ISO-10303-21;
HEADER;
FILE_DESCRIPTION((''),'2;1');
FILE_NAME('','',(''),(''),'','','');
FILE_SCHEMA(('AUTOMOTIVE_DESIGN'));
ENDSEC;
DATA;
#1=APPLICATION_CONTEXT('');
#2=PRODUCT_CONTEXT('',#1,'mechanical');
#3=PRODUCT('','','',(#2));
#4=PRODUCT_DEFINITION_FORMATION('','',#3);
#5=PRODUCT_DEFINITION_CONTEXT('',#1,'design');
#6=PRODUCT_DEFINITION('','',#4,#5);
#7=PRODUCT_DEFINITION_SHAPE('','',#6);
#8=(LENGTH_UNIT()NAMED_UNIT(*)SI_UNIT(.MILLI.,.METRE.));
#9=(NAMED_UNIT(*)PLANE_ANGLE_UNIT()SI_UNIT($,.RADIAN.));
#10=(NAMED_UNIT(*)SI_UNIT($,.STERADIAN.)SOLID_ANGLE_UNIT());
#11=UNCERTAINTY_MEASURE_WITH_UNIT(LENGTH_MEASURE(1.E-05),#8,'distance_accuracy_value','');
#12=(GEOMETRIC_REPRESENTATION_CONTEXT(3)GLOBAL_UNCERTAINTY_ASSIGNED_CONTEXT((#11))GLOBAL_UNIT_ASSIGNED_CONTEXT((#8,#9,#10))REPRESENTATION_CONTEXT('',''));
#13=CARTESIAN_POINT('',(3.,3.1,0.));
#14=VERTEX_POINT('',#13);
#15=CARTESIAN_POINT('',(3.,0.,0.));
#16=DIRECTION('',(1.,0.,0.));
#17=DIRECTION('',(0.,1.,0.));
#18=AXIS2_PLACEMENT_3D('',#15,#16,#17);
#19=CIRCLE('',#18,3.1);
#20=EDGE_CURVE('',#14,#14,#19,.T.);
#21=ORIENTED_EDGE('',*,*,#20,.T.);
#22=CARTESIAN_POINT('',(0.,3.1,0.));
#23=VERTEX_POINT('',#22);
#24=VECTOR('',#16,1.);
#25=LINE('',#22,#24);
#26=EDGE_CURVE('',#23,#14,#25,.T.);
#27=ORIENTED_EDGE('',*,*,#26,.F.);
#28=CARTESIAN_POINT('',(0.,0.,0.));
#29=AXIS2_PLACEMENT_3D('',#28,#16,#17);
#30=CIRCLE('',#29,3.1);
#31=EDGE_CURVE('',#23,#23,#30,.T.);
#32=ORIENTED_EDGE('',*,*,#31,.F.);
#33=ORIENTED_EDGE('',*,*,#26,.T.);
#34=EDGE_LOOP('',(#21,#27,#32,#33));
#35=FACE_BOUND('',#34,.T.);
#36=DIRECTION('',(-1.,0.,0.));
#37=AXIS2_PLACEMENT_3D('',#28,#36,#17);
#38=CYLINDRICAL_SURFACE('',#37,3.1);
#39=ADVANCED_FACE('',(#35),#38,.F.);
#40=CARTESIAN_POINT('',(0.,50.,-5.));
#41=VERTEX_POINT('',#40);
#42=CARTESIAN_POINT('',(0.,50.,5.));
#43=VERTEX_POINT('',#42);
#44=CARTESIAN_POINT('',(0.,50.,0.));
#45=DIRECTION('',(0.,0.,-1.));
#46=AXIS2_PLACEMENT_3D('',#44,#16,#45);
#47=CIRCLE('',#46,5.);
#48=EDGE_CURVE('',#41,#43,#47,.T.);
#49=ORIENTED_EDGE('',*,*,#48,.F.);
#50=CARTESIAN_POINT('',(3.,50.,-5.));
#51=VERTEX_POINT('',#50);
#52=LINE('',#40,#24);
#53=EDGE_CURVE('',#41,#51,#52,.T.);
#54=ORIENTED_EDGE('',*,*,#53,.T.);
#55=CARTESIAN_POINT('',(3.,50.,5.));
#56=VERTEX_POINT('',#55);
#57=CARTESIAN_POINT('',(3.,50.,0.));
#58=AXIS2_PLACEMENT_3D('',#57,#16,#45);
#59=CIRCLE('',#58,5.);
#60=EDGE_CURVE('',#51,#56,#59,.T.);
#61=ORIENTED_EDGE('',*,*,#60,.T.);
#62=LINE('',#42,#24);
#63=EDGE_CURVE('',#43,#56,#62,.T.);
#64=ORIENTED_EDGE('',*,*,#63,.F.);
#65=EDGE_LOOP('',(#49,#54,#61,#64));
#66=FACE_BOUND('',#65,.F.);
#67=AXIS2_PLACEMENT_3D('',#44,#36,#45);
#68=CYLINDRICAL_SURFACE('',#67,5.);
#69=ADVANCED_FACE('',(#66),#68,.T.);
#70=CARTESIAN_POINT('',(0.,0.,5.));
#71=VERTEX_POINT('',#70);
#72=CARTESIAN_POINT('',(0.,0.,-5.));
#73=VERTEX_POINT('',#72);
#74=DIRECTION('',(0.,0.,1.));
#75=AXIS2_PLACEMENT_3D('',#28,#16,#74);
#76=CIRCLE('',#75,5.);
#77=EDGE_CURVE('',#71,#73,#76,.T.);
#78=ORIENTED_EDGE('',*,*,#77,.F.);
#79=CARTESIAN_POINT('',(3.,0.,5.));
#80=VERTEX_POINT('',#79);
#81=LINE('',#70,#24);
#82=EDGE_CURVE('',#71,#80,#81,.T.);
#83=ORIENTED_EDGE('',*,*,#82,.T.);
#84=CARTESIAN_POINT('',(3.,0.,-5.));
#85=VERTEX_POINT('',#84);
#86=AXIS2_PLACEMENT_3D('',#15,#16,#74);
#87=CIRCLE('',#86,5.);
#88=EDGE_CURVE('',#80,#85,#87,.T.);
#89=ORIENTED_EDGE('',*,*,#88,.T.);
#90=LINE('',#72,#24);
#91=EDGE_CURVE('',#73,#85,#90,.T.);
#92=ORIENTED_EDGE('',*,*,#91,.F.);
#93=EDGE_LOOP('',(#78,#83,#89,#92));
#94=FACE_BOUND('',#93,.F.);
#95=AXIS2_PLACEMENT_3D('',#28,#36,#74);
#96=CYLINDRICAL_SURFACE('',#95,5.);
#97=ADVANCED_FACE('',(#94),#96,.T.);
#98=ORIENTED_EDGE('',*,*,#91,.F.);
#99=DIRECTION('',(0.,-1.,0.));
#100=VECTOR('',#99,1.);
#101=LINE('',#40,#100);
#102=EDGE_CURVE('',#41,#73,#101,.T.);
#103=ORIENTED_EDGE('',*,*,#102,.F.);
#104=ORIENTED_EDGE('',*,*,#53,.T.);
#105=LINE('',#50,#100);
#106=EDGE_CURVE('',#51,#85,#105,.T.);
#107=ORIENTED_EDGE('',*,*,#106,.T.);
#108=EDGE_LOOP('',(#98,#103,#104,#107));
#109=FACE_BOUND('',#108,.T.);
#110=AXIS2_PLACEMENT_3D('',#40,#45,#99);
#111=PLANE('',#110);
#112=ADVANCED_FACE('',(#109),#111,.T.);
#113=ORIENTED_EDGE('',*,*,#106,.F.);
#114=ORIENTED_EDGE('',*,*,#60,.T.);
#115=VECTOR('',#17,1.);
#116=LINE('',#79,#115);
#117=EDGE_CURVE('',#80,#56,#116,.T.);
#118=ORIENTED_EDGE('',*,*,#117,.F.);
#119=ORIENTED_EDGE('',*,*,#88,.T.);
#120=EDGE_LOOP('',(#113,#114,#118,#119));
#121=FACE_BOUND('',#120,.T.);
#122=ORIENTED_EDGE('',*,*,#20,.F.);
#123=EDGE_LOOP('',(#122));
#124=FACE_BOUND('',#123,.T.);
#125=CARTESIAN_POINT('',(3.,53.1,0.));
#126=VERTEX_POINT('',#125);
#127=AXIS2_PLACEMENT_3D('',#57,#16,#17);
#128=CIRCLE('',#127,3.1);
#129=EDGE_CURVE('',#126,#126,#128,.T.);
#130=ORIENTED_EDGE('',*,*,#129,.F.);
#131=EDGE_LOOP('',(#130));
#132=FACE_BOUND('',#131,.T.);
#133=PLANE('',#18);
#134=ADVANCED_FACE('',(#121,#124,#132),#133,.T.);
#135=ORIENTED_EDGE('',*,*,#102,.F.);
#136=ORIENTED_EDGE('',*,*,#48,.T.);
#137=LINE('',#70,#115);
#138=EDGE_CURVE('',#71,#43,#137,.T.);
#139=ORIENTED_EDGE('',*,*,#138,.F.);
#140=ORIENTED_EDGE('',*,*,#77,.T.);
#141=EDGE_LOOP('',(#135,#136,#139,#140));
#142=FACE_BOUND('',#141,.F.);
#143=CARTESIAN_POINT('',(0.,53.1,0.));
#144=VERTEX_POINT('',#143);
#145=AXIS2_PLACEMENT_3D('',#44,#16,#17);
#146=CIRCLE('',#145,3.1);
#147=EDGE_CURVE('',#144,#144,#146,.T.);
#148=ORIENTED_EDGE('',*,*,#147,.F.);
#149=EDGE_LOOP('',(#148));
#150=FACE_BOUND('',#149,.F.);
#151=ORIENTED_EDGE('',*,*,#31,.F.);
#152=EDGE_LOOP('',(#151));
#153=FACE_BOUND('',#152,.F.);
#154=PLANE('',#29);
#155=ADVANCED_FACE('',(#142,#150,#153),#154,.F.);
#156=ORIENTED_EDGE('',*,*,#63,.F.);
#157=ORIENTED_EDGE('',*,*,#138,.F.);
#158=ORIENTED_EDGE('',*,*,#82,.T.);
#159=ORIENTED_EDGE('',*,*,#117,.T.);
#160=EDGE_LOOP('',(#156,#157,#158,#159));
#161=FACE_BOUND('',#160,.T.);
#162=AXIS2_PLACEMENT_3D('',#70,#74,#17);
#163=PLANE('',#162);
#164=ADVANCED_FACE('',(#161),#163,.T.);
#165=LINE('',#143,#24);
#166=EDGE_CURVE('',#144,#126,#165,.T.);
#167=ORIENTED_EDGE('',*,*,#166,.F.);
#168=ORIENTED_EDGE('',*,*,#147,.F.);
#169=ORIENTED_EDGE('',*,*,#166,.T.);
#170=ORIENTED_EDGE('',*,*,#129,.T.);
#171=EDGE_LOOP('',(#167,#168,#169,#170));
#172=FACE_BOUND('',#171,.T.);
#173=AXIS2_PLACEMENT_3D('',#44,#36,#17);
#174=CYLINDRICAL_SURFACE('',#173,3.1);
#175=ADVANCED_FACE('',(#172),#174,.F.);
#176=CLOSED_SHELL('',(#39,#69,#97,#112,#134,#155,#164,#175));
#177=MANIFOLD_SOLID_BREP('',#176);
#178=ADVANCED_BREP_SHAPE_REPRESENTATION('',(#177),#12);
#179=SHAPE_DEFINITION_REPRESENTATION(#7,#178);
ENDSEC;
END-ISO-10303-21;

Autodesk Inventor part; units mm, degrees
ref_plane "YZ Plane" through (0, 0, 0) normal (1, 0, 0) x (0, 1, 0)
ref_plane "XZ Plane" through (0, 0, 0) normal (0, 1, 0) x (-1, 0, 0)
ref_plane "XY Plane" through (0, 0, 0) normal (0, 0, 1) x (1, 0, 0)
sketch "Sketch1" plane through (0, 0, 0) normal (1, 0, 0) x (0, 1, 0)
  circle A0 centre (0, 0) radius 3.1
  arc A1 (0, 5) -> (0, -5) centre (0, 0) ccw
  line L0 (0, 5) -> (50, 5)
  line L1 (50, -5) -> (0, -5)
  arc A2 (50, -5) -> (50, 5) centre (50, 0) ccw
  circle A3 centre (50, 0) radius 3.1
  dimension "d0" = 6.2
  dimension "d1" = 10
  dimension "d3" = 50
  dimension "d5" = 6.2
  dimension "d26" = 5
extrude "Extrusion1" add sketch "Sketch1" along normal blind 3
ref_plane "Work Plane1" through (-2, 0, 0) normal (1, 0, 0) x (0, 0, -1)
sketch "Sketch5" plane through (3, 0, 0) normal (1, 0, 0) x (0, 0, -1)
  line L0 (-5, 50) -> (-5, 0) projected
  arc A0 (-5, 0) -> (5, 0) centre (0, 0) ccw projected
  circle A1 centre (0, 50) radius 3.1 projected
  circle A2 centre (0, 0) radius 3.1 projected
  arc A3 (-5, 0) -> (5, 0) centre (0, 0) ccw projected
  line L1 (5, 0) -> (5, 50) projected
  arc A4 (5, 50) -> (-5, 50) centre (0, 50) ccw projected
  line L2 (-5, 50) -> (-5, 0) projected
  line L3 (0, -5) -> (0, 6)
  line L4 (0, 6) -> (5, 11)
  line L5 (5, 0) -> (5, 50) projected
  line L6 (0, 6) -> (-5, 11)
  line L7 (0, 55) -> (0, 44)
  line L8 (0, 44) -> (-5, 39)
  line L9 (0, 44) -> (5, 39)
  line L10 (0, 44) -> (7.0711, 44) construction
  dimension "d27" = 11
  dimension "d28" = 135
  dimension "d29" = 11
  dimension "d30" = 135
  dimension "d31" = 45
equation "\"d5\" = d0"
equation "\"d26\" = 0.5 * d1"
equation "\"d29\" = d27"
equation "\"d30\" = d28"
properties part number "ArmSpan"
